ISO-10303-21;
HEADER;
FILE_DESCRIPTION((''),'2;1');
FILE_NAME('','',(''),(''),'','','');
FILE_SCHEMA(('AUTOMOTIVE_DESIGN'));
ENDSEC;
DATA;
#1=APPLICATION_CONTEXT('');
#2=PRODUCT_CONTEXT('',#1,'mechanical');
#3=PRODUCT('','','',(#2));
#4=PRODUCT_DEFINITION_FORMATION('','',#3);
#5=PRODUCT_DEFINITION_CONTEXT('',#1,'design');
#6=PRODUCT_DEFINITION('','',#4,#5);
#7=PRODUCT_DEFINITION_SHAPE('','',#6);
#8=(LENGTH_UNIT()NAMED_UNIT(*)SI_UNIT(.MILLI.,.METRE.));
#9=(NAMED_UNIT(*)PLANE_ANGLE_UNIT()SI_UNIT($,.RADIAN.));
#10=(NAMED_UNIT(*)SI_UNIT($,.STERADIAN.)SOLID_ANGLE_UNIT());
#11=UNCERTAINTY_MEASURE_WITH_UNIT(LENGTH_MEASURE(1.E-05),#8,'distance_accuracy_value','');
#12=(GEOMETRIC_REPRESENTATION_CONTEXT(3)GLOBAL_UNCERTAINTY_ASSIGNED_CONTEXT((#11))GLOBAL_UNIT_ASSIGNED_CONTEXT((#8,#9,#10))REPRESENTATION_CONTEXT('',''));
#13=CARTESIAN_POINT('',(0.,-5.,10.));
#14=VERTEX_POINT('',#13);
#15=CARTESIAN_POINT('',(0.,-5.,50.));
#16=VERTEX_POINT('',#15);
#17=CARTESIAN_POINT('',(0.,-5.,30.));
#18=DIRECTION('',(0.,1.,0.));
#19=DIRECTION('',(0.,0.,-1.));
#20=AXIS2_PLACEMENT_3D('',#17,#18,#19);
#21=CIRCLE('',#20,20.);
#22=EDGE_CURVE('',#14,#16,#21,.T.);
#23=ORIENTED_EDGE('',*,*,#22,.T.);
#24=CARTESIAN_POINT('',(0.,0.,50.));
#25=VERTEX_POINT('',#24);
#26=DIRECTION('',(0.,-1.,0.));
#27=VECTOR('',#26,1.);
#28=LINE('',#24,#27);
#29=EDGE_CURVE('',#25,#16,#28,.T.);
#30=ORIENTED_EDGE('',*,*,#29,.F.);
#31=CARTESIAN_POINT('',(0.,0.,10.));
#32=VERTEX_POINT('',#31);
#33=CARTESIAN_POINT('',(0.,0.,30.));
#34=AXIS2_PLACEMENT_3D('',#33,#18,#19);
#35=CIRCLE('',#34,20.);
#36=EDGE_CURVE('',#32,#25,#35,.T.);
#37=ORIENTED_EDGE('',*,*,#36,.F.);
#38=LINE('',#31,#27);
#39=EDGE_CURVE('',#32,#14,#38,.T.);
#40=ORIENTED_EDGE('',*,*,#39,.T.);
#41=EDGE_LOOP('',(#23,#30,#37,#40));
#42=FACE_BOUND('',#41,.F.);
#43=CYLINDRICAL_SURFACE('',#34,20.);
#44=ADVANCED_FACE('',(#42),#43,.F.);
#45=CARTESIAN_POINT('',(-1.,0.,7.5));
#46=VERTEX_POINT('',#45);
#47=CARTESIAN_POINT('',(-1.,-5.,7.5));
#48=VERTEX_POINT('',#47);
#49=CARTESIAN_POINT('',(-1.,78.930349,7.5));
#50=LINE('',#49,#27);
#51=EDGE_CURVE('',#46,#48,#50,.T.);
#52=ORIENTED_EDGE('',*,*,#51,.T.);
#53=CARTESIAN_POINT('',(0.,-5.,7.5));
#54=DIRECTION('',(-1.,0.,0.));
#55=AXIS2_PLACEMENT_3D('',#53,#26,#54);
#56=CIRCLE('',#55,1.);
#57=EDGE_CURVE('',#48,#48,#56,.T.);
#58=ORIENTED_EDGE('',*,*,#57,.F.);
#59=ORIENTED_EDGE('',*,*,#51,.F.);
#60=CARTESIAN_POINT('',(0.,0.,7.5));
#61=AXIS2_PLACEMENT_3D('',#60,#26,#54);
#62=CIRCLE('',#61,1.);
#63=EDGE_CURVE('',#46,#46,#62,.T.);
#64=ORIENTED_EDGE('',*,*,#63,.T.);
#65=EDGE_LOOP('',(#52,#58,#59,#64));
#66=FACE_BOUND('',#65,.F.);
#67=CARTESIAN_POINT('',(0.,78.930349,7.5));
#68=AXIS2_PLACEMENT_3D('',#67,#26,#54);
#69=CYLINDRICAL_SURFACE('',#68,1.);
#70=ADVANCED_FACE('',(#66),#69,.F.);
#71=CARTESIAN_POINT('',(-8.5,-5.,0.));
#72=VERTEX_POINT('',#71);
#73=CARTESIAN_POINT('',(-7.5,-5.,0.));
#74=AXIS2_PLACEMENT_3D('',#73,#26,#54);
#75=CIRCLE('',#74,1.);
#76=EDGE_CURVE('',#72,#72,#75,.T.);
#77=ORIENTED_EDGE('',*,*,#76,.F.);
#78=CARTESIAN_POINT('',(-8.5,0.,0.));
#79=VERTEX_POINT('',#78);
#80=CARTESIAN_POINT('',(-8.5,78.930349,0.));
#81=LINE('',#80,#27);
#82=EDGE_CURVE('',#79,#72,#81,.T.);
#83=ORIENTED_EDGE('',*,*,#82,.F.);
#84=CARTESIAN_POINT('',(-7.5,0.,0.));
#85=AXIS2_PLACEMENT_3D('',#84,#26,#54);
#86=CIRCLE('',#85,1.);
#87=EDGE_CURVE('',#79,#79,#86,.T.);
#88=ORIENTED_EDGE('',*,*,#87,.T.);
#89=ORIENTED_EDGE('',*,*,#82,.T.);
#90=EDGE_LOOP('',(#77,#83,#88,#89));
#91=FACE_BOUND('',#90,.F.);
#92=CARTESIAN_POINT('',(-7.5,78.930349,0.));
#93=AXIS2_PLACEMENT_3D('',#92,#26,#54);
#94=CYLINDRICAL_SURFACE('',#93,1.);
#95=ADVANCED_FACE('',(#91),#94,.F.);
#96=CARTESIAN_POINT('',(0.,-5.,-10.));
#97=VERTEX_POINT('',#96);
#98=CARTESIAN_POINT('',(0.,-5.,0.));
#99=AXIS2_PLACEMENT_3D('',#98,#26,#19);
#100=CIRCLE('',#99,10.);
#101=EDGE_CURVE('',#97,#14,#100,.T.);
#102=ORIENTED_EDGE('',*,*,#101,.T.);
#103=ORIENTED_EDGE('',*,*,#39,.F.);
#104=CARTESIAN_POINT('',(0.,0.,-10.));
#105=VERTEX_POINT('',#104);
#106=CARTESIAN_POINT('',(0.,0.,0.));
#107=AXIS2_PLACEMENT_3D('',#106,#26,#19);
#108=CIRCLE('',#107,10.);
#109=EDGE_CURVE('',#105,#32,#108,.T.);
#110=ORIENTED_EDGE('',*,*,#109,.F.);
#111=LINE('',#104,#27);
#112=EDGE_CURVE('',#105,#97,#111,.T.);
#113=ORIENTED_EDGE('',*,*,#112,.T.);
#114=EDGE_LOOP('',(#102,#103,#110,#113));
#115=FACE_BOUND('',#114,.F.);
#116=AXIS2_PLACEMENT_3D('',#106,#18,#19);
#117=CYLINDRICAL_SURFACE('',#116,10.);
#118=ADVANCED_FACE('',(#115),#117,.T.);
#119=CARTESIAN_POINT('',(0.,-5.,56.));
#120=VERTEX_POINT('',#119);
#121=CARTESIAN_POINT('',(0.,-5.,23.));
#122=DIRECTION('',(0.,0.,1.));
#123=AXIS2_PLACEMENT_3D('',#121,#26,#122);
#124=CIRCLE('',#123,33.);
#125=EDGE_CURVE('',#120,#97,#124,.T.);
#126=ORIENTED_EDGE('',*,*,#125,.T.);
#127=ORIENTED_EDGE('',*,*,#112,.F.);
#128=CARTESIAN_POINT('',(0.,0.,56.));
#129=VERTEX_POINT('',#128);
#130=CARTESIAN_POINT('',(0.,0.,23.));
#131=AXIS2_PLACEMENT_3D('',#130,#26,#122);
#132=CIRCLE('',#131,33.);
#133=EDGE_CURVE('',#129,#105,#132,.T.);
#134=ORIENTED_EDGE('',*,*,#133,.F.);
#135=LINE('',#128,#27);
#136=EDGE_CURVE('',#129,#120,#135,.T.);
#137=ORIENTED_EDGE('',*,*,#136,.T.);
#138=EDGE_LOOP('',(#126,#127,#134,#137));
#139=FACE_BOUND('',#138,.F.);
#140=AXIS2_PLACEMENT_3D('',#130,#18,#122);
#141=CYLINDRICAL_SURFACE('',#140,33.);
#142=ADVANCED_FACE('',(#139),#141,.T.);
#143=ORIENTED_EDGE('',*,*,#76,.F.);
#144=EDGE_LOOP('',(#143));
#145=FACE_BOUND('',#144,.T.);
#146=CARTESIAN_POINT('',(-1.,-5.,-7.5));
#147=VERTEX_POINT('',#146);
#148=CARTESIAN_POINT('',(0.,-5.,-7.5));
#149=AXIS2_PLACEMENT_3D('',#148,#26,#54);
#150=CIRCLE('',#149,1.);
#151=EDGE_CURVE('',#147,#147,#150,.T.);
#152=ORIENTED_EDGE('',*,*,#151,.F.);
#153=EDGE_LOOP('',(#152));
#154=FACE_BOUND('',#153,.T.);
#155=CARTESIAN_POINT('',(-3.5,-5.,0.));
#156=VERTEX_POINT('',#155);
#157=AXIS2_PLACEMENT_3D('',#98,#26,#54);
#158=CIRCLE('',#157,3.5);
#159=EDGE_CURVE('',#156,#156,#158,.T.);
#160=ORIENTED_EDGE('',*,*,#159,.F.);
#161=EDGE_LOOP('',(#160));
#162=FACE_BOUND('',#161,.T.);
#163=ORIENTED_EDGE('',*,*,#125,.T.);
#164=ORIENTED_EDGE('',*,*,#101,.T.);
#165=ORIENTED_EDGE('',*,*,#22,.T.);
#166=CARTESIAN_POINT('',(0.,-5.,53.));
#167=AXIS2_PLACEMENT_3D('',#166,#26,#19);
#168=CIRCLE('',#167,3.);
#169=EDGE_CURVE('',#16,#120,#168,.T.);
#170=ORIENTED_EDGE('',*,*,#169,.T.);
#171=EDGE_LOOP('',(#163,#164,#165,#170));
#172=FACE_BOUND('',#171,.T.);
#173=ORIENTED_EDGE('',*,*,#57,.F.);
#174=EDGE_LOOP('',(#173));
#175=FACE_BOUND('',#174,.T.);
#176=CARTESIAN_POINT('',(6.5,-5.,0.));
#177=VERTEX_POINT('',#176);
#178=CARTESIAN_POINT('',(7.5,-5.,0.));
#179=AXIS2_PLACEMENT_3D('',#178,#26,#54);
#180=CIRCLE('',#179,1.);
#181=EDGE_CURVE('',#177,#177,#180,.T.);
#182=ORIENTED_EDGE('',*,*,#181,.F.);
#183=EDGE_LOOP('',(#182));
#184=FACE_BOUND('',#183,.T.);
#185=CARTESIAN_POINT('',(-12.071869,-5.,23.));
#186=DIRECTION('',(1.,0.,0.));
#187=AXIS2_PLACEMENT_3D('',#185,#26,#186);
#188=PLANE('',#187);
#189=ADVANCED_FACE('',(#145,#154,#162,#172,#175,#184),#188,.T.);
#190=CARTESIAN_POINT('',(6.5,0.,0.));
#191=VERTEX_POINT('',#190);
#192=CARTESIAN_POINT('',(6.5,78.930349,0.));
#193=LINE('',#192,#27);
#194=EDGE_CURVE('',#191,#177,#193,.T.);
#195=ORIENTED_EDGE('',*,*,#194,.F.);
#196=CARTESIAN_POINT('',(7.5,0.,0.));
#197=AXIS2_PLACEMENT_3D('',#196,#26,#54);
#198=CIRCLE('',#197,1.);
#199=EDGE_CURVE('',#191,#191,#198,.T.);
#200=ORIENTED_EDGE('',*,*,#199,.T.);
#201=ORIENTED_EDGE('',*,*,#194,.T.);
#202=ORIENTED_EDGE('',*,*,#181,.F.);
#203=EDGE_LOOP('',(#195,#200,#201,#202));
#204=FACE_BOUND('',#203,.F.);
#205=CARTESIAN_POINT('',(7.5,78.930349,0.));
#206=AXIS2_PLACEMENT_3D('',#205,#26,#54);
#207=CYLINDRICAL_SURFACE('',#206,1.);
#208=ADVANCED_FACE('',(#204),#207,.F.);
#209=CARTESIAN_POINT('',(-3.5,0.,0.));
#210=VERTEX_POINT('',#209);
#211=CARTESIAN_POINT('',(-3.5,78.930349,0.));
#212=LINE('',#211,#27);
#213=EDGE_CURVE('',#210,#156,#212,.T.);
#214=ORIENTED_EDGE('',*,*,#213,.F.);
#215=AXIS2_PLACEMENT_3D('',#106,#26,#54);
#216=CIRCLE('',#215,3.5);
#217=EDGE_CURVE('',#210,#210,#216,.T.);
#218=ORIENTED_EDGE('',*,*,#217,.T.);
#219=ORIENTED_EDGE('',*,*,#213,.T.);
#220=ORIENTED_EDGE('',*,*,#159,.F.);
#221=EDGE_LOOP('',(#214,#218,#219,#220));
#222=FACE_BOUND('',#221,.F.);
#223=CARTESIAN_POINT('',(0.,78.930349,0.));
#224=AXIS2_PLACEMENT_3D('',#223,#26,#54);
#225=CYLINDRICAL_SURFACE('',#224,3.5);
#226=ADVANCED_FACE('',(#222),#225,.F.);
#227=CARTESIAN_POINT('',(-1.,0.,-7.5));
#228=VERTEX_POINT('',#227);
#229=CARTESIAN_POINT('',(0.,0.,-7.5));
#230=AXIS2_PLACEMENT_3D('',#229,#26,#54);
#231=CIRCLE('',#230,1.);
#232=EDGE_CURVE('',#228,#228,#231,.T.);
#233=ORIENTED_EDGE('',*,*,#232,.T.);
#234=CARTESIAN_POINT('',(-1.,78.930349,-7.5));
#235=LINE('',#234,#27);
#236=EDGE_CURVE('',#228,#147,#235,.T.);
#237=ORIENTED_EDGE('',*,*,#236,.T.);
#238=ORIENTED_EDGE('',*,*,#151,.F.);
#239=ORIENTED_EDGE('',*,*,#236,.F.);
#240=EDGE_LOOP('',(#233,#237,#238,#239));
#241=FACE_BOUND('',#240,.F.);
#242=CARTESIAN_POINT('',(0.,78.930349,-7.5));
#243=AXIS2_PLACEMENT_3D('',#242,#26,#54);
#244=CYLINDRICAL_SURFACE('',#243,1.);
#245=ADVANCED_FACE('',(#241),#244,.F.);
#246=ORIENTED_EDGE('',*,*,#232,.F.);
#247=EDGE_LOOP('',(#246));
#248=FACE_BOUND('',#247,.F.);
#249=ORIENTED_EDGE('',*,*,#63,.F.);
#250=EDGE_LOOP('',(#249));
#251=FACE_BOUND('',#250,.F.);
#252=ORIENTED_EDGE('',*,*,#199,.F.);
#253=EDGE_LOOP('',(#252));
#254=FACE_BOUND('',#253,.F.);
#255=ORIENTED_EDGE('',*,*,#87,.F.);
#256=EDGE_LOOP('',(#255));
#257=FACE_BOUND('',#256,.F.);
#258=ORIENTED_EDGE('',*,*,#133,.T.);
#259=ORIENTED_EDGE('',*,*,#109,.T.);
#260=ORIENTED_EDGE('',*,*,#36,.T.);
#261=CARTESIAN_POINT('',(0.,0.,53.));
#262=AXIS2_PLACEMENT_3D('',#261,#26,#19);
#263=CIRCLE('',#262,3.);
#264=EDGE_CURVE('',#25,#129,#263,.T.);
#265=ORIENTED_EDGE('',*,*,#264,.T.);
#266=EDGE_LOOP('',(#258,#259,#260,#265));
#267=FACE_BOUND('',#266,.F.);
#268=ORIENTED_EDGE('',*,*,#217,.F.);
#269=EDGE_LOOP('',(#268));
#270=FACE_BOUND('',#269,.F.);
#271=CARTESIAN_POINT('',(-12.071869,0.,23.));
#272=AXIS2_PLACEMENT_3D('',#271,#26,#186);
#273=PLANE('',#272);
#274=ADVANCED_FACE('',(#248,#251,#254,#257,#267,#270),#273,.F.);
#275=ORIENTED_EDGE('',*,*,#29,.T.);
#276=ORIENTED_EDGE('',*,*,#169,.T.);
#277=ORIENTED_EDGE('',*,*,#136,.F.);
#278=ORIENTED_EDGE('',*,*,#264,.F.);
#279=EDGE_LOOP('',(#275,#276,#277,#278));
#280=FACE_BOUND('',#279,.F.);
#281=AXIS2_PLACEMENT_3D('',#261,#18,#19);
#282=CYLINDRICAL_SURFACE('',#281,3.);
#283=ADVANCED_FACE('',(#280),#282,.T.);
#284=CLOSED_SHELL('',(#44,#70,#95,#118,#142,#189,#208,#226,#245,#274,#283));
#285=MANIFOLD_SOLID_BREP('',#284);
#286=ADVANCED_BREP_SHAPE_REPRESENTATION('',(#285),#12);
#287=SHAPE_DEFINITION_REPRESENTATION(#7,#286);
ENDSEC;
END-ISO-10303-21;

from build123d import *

# Parameters (mm, degrees)
F1_DEPTH = 5
F2_D     = 7
F3_D     = 2


with BuildPart() as f1:
    # F0 (on Front) → F1 (new body)
    with BuildSketch(Plane.XZ):
        with BuildLine():
            ThreePointArc((0, 56), (-33, 23), (0, -10))
            ThreePointArc((0, -10), (10, 0), (0, 10))
            ThreePointArc((0, 10), (-20, 30), (0, 50))
            ThreePointArc((0, 50), (3, 53), (0, 56))
        make_face()
    extrude(amount=F1_DEPTH)

    # F2 (through all)
    with Locations(Plane(origin=(0, 0, 0), x_dir=(1, 0, 0), z_dir=(0, 1, 0))):
        with Locations((0, 0)):
            Hole(F2_D / 2)

    # F3 (through all)
    with Locations(Plane(origin=(0, 0, 0), x_dir=(1, 0, 0), z_dir=(0, 1, 0))):
        with Locations((0, 7.5), (7.5, 0), (0, -7.5), (-7.5, 0)):
            Hole(F3_D / 2)


solid = f1.part
